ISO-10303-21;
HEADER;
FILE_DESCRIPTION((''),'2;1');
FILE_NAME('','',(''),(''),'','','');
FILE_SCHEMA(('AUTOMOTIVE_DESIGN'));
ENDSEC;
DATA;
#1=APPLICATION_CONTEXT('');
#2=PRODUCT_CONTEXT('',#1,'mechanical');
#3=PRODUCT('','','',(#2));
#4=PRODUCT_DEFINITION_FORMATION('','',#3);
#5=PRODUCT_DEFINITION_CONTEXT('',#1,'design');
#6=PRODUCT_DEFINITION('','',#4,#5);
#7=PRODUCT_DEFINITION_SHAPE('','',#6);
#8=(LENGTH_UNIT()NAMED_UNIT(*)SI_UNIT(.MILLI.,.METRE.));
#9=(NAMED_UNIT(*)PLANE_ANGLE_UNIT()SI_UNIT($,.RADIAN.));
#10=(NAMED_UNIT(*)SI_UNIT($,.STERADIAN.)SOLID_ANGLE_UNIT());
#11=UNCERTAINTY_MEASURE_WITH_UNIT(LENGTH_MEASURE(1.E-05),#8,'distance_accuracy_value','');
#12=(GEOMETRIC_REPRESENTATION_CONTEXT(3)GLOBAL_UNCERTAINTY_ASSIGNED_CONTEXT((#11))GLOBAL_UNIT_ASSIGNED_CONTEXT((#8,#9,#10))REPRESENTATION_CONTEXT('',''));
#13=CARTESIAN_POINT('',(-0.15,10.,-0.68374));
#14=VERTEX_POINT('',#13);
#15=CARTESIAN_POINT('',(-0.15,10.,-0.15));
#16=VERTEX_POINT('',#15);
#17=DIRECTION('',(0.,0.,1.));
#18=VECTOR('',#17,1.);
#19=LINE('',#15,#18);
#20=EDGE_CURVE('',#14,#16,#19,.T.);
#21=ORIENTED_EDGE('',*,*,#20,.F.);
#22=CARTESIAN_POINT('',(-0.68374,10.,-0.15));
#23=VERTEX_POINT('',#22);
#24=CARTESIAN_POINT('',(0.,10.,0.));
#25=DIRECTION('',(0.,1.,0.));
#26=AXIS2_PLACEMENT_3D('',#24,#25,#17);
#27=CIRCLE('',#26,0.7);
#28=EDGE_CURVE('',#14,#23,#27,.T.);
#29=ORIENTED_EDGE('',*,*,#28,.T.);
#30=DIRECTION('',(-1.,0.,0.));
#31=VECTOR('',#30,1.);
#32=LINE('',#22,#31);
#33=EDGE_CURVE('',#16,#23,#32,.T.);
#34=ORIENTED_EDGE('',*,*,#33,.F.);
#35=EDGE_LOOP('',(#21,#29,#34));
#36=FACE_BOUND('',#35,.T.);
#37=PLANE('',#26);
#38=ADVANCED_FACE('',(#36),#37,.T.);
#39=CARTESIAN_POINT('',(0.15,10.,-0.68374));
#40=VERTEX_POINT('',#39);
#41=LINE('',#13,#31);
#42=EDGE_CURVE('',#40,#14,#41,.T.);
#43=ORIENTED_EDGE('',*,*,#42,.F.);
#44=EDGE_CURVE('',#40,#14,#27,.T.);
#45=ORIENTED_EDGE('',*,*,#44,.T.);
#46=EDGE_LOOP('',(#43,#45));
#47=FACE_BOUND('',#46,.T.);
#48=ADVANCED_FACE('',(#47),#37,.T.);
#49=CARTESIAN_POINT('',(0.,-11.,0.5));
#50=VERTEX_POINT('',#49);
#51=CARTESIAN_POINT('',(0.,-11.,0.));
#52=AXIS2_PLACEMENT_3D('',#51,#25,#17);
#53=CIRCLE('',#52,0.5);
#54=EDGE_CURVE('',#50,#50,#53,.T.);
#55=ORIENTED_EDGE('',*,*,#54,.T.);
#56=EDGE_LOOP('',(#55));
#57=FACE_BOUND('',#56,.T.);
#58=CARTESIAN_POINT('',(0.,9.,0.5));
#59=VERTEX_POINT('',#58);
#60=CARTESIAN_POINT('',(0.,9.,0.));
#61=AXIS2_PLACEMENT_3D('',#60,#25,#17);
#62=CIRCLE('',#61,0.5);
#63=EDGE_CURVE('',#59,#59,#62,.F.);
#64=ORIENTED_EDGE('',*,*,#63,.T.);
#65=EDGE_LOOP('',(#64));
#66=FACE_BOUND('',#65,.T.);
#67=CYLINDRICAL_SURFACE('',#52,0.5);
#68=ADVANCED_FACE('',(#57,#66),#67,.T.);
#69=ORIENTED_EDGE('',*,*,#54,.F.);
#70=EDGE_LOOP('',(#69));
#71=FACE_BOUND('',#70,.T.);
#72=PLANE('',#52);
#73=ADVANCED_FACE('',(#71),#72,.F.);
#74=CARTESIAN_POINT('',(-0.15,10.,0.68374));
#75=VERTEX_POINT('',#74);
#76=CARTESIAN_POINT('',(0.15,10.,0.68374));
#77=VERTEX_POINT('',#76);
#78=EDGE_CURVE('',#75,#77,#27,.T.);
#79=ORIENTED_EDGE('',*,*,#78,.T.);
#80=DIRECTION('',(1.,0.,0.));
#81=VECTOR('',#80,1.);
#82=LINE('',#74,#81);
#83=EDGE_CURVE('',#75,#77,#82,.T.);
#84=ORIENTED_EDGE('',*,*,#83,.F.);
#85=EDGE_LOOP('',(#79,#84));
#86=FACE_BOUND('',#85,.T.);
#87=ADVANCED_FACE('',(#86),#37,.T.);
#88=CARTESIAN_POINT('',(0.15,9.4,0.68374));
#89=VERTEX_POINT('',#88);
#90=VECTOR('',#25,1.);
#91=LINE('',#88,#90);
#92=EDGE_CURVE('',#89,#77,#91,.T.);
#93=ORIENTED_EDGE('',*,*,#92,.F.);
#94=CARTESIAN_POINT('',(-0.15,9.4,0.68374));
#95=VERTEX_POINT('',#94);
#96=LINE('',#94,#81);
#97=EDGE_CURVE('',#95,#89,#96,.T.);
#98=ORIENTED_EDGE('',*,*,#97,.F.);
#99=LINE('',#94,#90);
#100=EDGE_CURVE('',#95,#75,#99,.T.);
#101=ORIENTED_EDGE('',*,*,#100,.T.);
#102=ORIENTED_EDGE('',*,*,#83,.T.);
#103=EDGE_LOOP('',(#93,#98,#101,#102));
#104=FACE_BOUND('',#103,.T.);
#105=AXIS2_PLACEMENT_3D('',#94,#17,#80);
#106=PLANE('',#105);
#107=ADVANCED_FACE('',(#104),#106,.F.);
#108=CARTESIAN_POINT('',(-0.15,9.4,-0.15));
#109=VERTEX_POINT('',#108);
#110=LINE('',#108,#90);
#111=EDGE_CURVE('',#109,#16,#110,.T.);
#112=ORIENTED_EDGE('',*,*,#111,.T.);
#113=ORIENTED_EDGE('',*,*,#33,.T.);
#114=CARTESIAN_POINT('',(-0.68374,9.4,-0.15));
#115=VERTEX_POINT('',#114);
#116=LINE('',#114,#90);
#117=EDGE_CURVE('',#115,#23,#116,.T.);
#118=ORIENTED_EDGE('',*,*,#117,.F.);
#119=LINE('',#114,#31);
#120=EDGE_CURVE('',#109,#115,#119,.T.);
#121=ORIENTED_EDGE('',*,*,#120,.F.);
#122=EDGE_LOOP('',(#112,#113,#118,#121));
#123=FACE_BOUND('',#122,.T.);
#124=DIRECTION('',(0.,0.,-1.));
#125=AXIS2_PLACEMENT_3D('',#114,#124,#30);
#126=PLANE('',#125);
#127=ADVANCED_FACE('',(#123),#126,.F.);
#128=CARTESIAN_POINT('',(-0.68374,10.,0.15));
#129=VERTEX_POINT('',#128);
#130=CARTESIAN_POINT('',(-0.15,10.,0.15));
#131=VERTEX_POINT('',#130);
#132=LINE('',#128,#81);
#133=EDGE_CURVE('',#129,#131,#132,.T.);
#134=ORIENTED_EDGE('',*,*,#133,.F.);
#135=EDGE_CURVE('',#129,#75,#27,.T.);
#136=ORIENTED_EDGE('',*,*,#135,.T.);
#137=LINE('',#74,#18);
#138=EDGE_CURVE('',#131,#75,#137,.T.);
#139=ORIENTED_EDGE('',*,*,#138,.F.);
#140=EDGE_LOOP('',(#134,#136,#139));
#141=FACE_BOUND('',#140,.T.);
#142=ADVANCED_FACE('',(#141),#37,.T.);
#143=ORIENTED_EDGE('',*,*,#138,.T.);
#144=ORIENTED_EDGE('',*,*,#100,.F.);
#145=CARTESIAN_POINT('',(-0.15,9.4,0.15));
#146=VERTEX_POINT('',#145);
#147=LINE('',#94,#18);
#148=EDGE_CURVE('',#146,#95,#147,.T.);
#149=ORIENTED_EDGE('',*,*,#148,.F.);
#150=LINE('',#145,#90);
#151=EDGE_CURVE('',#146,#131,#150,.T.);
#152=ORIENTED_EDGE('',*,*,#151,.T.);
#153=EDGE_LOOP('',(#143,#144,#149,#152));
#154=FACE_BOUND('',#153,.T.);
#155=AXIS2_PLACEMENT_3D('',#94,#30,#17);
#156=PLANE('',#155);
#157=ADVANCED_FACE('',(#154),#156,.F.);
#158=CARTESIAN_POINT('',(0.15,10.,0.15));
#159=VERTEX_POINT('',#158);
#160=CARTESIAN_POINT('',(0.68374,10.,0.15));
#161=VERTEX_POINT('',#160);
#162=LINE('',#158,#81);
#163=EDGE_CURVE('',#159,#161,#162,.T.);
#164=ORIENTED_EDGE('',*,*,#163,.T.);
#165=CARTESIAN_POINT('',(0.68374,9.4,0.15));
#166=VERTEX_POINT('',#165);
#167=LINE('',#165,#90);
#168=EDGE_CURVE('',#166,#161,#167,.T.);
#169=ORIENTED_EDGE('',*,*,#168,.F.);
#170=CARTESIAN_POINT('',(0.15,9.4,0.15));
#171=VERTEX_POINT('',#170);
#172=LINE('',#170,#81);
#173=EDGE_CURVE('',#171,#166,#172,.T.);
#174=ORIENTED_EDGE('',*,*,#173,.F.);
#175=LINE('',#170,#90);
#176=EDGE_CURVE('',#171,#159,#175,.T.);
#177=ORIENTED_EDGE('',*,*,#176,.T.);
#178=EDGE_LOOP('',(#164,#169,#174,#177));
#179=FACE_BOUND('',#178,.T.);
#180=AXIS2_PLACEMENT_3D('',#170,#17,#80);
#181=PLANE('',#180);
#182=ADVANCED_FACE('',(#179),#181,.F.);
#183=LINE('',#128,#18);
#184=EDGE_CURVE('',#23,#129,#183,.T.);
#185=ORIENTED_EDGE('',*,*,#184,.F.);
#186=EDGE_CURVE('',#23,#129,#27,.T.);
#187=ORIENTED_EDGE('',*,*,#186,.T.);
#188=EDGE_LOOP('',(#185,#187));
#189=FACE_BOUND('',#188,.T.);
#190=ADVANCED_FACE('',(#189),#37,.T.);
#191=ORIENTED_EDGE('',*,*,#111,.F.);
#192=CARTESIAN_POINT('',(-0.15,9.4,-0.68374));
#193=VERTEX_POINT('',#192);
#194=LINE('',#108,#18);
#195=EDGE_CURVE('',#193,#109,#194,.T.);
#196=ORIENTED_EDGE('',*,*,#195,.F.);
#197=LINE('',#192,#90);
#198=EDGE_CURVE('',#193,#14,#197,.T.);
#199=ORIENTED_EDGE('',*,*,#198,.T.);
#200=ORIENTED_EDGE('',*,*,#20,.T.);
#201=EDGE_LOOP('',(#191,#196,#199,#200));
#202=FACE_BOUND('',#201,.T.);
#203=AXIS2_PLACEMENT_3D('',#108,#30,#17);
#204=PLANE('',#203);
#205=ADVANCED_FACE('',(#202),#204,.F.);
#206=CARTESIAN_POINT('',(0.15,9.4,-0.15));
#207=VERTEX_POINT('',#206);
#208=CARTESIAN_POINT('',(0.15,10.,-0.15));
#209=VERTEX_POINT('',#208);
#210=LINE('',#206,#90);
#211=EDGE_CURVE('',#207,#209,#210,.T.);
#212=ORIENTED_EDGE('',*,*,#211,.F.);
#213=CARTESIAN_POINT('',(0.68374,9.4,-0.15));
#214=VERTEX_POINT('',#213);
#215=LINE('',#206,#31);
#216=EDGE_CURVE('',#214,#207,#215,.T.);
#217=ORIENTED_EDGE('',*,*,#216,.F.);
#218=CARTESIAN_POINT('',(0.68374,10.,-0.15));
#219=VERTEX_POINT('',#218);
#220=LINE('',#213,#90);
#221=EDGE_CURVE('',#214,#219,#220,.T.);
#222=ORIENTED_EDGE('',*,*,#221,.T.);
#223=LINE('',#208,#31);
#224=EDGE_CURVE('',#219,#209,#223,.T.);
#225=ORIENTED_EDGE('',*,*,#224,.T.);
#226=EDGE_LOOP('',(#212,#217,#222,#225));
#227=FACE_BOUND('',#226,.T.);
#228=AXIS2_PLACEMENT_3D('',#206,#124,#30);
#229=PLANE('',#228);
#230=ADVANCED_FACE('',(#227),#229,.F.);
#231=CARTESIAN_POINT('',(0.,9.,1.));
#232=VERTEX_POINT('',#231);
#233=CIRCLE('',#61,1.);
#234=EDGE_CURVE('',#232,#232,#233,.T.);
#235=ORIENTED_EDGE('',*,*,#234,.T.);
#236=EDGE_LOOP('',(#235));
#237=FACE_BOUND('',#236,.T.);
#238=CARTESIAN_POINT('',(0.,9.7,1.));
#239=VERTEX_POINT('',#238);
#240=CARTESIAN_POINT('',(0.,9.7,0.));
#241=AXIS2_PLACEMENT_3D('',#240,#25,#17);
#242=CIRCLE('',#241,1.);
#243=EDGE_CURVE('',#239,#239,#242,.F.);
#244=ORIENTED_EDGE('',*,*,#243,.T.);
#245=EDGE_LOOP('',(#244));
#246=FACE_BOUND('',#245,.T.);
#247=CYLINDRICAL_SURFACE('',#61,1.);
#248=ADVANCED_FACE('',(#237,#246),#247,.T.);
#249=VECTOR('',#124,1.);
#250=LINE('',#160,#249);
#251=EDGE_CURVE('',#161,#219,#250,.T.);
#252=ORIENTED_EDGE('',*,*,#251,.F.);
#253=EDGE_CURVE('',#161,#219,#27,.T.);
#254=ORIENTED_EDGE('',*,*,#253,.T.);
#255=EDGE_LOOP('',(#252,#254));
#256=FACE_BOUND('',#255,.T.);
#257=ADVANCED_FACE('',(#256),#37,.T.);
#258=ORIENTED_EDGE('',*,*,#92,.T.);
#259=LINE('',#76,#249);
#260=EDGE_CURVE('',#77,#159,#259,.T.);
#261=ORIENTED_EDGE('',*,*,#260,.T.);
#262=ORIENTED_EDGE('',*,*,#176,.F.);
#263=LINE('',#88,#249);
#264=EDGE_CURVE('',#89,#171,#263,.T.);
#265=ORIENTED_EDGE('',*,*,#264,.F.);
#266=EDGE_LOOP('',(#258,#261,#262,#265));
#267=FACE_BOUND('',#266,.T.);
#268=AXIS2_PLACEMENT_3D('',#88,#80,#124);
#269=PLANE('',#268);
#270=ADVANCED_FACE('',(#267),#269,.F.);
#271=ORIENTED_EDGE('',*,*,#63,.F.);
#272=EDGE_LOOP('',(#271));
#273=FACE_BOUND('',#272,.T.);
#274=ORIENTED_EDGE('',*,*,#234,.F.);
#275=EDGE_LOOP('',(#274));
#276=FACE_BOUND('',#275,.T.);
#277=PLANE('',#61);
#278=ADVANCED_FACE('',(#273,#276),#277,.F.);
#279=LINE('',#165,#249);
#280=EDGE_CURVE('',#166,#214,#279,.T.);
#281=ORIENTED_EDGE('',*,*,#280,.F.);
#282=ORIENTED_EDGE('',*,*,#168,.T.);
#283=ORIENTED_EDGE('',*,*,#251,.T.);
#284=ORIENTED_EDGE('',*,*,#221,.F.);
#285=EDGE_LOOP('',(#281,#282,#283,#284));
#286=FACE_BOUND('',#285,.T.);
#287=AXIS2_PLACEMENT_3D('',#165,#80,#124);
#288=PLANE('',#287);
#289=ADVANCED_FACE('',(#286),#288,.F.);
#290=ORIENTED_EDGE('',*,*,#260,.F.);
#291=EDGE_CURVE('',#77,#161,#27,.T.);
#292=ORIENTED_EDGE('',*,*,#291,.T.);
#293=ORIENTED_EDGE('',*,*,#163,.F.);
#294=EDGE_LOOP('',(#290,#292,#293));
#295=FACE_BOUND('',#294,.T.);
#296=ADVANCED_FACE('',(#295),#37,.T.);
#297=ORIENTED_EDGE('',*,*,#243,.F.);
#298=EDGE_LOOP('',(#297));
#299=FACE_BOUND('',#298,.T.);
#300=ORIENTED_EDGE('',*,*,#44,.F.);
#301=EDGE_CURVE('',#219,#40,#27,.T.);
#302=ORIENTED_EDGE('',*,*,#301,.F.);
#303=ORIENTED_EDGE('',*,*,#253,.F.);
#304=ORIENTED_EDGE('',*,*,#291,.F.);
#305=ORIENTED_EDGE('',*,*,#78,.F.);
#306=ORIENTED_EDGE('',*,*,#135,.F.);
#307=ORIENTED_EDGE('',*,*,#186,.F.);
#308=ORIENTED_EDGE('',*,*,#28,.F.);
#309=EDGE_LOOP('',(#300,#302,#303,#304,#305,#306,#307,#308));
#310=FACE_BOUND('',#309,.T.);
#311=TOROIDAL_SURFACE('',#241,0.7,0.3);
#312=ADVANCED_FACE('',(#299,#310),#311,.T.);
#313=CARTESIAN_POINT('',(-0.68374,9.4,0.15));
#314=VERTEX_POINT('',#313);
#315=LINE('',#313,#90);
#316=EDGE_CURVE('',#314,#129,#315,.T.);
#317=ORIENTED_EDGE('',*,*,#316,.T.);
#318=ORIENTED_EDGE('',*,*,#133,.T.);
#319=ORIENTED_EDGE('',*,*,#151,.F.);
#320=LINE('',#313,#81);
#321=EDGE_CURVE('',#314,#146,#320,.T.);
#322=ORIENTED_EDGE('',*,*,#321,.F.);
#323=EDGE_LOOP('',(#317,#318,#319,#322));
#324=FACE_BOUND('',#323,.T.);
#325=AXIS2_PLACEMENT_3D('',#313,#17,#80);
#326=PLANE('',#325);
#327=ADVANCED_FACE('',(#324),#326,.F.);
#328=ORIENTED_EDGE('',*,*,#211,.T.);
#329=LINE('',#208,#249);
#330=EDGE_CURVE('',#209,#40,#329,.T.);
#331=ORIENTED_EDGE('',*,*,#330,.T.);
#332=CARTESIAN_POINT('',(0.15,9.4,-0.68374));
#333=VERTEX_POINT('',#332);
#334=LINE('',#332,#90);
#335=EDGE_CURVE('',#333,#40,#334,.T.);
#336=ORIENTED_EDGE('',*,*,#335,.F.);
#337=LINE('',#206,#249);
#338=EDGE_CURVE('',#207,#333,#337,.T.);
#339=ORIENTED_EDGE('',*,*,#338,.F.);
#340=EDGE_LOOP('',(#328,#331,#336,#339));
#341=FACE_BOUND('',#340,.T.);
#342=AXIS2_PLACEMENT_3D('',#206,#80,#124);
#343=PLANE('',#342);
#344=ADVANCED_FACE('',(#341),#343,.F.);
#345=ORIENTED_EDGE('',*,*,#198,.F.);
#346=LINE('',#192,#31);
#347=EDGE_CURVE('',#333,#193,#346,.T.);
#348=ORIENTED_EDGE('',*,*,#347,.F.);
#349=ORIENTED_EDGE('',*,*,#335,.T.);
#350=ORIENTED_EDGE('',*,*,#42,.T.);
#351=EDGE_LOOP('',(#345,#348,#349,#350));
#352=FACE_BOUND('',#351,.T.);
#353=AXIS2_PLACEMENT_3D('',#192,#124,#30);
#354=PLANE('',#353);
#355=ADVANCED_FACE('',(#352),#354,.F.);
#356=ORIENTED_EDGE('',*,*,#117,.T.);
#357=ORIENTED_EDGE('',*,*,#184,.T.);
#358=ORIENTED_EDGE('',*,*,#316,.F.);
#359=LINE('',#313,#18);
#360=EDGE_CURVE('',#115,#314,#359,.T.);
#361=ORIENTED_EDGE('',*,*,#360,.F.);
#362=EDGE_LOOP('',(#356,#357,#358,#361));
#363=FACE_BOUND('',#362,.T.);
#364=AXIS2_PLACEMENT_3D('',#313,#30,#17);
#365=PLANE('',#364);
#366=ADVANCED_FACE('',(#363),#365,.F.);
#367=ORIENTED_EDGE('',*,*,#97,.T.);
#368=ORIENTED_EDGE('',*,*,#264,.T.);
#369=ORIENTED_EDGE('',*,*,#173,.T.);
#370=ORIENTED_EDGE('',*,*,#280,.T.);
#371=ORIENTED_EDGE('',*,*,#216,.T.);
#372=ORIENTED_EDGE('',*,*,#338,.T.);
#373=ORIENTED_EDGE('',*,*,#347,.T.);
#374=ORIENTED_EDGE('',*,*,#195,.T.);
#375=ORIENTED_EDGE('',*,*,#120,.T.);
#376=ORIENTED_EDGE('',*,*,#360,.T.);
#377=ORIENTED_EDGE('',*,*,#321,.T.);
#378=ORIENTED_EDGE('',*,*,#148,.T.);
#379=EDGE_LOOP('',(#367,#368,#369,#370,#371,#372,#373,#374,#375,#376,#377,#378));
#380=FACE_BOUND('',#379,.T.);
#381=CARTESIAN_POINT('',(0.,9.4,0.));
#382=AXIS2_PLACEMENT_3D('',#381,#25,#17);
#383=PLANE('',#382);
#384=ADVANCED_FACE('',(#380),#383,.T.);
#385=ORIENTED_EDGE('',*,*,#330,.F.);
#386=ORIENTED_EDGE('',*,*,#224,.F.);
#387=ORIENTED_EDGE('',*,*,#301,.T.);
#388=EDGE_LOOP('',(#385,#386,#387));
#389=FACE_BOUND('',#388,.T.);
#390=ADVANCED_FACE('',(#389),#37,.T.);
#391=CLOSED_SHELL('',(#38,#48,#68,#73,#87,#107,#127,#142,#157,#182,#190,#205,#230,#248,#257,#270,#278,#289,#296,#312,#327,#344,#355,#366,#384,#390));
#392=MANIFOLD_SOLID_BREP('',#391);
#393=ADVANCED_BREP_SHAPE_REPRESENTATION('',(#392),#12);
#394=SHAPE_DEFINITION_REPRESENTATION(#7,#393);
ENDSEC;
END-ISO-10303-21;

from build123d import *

# Parameters (mm, degrees)
BOSS_EXTRUDE1_DEPTH      = 10
BOSS_EXTRUDE1_DEPTH_BACK = 11
SKETCH1_R                = 0.5
SKETCH2_R                = 1
BOSS_EXTRUDE2_DEPTH      = 1
FILLET1_R                = 0.3
CUT_EXTRUDE1_DEPTH       = 0.6


with BuildPart() as part:
    # Sketch1 → Boss-Extrude1 (new, two sides: drawn at the far end of the back side and taken through both)
    with BuildSketch(Plane(origin=(0, 0, 0), x_dir=(1, 0, 0), z_dir=(0, 1, 0)).offset(-BOSS_EXTRUDE1_DEPTH_BACK)):
        with Locations(Location((0, 0, 0), (0, 0, 270))):
            Circle(SKETCH1_R)
    extrude(amount=BOSS_EXTRUDE1_DEPTH + BOSS_EXTRUDE1_DEPTH_BACK)

    # Sketch2 → Boss-Extrude2 (add)
    with BuildSketch(Plane(origin=(0, 10, 0), x_dir=(1, 0, 0), z_dir=(0, 1, 0))):
        with Locations(Location((0, 0, 0), (0, 0, 270))):
            Circle(SKETCH2_R)
    extrude(amount=-BOSS_EXTRUDE2_DEPTH)

    # Fillet1
    fillet1_edges = [part.edges().sort_by_distance(p)[0] for p in [
        (0, 10, -1),
    ]]
    fillet(fillet1_edges, radius=FILLET1_R)

    # Sketch3 → Cut-Extrude1 (cut)
    with BuildSketch(Plane(origin=(0, 10, 0), x_dir=(1, 0, 0), z_dir=(0, 1, 0))):
        Polygon((-0.15, 0.15), (-0.15, 0.683739717), (0.15, 0.683739717), (0.15, 0.15), (0.683739717, 0.15), (0.683739717, -0.15), (0.15, -0.15), (0.15, -0.683739717), (-0.15, -0.683739717), (-0.15, -0.15), (-0.683739717, -0.15), (-0.683739717, 0.15), align=None)
    extrude(amount=-CUT_EXTRUDE1_DEPTH, mode=Mode.SUBTRACT)


solid = part.part
